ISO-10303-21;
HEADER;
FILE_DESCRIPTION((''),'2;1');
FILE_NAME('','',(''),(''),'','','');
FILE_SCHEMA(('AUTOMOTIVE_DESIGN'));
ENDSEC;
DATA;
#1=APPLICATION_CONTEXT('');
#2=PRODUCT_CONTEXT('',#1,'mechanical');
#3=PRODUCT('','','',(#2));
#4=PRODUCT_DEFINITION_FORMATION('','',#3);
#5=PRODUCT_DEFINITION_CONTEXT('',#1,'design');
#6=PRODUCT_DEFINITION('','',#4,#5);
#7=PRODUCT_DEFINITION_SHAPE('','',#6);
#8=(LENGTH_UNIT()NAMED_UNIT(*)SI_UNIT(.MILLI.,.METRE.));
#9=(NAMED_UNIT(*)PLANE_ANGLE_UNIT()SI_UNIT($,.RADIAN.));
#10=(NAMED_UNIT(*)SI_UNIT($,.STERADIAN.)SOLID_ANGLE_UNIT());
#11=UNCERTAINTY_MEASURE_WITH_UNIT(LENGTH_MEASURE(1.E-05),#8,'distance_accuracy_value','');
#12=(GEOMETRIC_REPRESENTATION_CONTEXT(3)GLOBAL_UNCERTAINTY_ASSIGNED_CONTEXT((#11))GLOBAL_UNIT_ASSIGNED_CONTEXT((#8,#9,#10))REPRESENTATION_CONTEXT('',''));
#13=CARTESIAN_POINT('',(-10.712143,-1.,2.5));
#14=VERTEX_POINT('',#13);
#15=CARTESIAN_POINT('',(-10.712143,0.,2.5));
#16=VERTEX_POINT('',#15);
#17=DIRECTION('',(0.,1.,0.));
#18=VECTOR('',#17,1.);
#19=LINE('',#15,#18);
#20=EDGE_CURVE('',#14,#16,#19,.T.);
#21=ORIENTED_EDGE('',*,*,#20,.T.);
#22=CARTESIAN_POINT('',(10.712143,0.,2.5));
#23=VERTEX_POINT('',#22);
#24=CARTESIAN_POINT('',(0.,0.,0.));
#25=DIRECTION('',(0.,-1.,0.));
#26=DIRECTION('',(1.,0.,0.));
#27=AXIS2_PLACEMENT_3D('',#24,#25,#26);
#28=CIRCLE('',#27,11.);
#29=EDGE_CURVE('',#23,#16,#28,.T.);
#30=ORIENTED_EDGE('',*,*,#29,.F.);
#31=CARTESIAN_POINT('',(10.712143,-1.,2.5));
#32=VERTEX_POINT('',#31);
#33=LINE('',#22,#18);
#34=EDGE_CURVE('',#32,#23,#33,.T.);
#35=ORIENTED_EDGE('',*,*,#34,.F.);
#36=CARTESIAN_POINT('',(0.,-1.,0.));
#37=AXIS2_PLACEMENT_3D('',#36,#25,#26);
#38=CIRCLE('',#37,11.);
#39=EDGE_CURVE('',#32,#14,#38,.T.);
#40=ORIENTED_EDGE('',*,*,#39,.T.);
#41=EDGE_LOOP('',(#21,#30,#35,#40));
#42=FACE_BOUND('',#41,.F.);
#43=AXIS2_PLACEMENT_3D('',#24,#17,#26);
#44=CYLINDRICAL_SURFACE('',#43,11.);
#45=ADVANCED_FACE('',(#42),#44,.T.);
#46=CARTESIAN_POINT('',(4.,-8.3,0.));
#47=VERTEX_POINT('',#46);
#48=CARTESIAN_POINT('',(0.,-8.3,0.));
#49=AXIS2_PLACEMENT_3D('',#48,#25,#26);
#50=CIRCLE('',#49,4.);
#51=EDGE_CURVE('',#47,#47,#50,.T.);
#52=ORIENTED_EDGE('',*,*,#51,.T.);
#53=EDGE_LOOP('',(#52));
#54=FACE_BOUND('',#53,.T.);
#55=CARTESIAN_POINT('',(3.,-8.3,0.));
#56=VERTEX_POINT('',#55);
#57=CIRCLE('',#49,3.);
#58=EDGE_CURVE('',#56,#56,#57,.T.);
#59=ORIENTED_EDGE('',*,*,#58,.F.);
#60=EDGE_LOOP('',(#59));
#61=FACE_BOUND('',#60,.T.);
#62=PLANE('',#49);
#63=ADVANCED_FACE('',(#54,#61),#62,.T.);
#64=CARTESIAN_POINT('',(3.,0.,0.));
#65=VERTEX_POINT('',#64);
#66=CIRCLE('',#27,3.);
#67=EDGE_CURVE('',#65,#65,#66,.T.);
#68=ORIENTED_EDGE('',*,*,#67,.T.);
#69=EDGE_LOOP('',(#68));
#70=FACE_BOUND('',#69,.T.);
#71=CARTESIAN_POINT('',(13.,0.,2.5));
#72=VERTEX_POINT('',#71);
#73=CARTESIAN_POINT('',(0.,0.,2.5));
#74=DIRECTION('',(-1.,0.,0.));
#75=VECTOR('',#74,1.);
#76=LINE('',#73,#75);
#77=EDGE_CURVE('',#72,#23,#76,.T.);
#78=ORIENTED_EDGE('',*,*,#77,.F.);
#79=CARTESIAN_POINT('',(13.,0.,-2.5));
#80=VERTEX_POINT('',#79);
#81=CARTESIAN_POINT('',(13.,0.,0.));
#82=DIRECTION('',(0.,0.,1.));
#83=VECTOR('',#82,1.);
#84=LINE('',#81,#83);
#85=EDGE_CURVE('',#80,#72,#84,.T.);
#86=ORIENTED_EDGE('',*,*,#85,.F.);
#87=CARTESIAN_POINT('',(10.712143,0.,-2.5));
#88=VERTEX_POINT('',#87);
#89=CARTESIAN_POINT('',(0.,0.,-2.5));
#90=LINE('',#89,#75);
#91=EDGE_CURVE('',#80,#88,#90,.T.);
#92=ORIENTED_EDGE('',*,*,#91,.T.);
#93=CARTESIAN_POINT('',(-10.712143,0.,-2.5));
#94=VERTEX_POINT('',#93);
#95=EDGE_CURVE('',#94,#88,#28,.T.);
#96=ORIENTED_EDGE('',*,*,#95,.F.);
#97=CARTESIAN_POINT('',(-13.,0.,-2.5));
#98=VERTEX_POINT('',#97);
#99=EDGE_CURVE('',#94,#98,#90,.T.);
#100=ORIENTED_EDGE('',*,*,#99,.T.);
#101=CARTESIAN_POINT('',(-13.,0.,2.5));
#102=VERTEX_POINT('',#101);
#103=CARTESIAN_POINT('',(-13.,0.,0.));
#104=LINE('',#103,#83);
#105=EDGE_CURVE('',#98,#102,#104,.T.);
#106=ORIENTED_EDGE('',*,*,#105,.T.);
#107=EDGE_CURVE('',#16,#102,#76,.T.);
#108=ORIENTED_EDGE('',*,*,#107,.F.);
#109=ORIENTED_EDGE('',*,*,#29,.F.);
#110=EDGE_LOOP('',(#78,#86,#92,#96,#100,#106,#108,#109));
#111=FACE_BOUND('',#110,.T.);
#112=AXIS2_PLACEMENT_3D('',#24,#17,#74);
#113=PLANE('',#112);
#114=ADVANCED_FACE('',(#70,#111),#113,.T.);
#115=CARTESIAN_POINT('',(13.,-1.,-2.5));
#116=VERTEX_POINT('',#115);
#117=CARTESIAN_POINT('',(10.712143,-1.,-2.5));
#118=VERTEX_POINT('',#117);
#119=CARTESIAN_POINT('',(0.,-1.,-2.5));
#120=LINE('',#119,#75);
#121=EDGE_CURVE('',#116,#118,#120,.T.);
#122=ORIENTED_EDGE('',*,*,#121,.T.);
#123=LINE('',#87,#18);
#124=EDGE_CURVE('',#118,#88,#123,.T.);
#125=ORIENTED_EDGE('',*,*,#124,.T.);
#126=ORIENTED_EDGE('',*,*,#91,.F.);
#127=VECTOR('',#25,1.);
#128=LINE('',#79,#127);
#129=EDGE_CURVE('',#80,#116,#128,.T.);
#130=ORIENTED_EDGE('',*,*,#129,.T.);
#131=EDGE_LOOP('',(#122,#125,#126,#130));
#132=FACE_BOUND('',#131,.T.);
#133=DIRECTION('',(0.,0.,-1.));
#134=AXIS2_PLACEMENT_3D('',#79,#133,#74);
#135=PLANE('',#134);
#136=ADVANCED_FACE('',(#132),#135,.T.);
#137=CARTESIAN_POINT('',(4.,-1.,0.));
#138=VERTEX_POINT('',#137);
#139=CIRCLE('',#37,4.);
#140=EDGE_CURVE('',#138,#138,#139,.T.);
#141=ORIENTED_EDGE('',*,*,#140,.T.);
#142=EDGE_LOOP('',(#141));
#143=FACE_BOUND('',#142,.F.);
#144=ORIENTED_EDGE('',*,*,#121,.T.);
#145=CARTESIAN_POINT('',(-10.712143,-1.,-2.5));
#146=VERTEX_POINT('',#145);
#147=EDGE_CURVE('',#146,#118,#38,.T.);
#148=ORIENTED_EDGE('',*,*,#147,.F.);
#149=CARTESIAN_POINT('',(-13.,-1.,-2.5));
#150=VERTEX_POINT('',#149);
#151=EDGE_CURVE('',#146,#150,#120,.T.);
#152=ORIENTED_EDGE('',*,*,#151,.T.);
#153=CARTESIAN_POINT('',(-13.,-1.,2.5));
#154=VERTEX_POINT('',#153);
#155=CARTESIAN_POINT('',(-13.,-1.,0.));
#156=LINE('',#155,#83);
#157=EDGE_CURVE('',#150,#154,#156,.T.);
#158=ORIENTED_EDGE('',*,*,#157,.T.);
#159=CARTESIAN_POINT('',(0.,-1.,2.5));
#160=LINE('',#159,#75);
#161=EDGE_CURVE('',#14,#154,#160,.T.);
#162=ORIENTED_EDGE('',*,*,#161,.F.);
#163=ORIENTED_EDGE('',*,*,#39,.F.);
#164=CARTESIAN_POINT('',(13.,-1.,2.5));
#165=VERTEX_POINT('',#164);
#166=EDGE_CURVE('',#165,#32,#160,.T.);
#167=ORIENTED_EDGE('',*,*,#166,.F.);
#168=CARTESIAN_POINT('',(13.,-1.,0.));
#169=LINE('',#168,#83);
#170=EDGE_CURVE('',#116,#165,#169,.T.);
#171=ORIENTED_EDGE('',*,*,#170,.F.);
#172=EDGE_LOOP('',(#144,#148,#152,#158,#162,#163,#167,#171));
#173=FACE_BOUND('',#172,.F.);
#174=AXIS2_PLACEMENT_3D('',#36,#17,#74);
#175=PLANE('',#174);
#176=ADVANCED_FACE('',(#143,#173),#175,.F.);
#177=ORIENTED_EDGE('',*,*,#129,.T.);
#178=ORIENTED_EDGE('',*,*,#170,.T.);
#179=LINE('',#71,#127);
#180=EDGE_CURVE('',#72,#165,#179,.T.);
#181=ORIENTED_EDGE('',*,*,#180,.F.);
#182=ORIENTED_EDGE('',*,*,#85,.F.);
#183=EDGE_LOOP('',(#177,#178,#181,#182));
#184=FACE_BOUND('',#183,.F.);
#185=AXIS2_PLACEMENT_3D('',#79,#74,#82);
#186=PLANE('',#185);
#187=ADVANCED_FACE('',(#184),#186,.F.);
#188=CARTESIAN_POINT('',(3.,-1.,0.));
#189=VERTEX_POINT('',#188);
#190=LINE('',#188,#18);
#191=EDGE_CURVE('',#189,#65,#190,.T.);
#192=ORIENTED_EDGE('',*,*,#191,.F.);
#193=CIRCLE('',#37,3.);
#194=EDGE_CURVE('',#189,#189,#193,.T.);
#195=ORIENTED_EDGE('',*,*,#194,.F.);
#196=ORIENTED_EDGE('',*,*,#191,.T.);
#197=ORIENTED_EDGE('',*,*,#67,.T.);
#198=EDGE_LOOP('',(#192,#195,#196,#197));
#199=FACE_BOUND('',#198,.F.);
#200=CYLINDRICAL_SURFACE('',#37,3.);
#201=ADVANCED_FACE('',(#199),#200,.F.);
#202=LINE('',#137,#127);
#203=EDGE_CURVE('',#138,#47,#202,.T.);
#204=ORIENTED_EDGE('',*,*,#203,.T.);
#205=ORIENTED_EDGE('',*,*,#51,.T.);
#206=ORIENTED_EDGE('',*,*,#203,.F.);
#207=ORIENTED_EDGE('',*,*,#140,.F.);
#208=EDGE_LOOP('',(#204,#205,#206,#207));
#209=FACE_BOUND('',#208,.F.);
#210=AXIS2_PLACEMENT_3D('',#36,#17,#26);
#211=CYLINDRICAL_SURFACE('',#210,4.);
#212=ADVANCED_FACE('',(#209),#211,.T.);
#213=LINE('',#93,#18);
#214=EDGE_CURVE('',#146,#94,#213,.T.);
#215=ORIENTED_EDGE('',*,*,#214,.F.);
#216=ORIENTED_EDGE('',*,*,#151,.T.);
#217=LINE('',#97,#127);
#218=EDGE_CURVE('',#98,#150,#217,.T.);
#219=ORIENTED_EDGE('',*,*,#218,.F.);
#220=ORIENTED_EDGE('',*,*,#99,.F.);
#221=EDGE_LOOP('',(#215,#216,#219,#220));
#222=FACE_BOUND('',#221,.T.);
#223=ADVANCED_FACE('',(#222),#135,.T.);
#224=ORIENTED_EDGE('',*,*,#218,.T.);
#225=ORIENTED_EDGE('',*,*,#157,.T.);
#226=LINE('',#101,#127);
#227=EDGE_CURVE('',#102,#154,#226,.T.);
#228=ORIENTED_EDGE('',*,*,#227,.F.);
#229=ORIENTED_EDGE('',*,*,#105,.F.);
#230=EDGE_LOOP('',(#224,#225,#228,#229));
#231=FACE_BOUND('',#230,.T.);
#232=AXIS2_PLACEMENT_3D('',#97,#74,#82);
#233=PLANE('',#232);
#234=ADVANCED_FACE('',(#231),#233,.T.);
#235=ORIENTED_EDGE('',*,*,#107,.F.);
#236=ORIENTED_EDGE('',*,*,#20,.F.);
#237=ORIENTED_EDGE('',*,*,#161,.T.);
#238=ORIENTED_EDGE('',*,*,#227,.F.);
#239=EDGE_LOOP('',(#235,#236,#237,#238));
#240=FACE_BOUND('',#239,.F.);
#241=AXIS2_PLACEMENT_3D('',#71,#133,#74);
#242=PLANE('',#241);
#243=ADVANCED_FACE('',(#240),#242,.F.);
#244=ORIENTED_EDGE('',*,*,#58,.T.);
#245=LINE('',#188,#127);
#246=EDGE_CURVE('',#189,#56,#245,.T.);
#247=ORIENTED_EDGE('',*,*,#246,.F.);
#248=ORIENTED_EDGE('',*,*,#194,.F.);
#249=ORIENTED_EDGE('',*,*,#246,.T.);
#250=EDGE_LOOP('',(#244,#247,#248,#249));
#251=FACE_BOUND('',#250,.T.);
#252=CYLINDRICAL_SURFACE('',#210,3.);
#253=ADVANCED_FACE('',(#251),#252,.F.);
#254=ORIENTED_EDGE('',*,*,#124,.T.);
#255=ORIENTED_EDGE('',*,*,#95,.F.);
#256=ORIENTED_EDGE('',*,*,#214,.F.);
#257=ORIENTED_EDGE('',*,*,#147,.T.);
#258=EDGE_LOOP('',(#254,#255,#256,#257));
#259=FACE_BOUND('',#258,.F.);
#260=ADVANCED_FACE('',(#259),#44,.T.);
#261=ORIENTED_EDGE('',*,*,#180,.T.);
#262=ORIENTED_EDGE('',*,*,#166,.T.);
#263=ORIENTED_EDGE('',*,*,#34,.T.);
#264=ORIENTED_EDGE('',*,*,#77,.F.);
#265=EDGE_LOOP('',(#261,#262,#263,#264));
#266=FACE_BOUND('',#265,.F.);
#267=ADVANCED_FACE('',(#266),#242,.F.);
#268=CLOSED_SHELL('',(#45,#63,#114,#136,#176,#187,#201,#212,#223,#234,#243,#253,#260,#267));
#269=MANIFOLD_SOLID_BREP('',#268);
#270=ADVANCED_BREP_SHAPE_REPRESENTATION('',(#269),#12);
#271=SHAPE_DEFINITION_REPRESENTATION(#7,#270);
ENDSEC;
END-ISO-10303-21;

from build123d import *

# Parameters (mm, degrees)
F0_R          = 11
F1_DEPTH      = 1
F3_W          = 26
F3_H          = 5
F4_DEPTH      = 1
F5_R          = 4
F5_R_2        = 3
F7_DEPTH      = 7.3
F6_R          = 3
F8_DEPTH      = 7.301
F8_DEPTH_BACK = 1.001


with BuildPart() as f1:
    # F0 (on Front) → F1 (new body)
    with BuildSketch(Plane.XZ):
        Circle(F0_R)
    extrude(amount=F1_DEPTH)

    # F3 (on face) → F4 (join)
    with BuildSketch(Plane(origin=(0, 0, 0), x_dir=(-1, 0, 0), z_dir=(0, 1, 0))):
        Rectangle(F3_W, F3_H)
    extrude(amount=-F4_DEPTH)

    # F5 (on face) → F7 (join)
    with BuildSketch(Plane.XZ.offset(1)):
        Circle(F5_R)
        Circle(F5_R_2, mode=Mode.SUBTRACT)
    extrude(amount=F7_DEPTH)

    # F6 (on face) → F8 (cut, two sides)
    with BuildSketch(Plane.XZ.offset(1)) as f8_sk:
        Circle(F6_R)
    extrude(amount=F8_DEPTH, mode=Mode.SUBTRACT)
    extrude(f8_sk.sketch, amount=-F8_DEPTH_BACK, mode=Mode.SUBTRACT)


solid = f1.part
